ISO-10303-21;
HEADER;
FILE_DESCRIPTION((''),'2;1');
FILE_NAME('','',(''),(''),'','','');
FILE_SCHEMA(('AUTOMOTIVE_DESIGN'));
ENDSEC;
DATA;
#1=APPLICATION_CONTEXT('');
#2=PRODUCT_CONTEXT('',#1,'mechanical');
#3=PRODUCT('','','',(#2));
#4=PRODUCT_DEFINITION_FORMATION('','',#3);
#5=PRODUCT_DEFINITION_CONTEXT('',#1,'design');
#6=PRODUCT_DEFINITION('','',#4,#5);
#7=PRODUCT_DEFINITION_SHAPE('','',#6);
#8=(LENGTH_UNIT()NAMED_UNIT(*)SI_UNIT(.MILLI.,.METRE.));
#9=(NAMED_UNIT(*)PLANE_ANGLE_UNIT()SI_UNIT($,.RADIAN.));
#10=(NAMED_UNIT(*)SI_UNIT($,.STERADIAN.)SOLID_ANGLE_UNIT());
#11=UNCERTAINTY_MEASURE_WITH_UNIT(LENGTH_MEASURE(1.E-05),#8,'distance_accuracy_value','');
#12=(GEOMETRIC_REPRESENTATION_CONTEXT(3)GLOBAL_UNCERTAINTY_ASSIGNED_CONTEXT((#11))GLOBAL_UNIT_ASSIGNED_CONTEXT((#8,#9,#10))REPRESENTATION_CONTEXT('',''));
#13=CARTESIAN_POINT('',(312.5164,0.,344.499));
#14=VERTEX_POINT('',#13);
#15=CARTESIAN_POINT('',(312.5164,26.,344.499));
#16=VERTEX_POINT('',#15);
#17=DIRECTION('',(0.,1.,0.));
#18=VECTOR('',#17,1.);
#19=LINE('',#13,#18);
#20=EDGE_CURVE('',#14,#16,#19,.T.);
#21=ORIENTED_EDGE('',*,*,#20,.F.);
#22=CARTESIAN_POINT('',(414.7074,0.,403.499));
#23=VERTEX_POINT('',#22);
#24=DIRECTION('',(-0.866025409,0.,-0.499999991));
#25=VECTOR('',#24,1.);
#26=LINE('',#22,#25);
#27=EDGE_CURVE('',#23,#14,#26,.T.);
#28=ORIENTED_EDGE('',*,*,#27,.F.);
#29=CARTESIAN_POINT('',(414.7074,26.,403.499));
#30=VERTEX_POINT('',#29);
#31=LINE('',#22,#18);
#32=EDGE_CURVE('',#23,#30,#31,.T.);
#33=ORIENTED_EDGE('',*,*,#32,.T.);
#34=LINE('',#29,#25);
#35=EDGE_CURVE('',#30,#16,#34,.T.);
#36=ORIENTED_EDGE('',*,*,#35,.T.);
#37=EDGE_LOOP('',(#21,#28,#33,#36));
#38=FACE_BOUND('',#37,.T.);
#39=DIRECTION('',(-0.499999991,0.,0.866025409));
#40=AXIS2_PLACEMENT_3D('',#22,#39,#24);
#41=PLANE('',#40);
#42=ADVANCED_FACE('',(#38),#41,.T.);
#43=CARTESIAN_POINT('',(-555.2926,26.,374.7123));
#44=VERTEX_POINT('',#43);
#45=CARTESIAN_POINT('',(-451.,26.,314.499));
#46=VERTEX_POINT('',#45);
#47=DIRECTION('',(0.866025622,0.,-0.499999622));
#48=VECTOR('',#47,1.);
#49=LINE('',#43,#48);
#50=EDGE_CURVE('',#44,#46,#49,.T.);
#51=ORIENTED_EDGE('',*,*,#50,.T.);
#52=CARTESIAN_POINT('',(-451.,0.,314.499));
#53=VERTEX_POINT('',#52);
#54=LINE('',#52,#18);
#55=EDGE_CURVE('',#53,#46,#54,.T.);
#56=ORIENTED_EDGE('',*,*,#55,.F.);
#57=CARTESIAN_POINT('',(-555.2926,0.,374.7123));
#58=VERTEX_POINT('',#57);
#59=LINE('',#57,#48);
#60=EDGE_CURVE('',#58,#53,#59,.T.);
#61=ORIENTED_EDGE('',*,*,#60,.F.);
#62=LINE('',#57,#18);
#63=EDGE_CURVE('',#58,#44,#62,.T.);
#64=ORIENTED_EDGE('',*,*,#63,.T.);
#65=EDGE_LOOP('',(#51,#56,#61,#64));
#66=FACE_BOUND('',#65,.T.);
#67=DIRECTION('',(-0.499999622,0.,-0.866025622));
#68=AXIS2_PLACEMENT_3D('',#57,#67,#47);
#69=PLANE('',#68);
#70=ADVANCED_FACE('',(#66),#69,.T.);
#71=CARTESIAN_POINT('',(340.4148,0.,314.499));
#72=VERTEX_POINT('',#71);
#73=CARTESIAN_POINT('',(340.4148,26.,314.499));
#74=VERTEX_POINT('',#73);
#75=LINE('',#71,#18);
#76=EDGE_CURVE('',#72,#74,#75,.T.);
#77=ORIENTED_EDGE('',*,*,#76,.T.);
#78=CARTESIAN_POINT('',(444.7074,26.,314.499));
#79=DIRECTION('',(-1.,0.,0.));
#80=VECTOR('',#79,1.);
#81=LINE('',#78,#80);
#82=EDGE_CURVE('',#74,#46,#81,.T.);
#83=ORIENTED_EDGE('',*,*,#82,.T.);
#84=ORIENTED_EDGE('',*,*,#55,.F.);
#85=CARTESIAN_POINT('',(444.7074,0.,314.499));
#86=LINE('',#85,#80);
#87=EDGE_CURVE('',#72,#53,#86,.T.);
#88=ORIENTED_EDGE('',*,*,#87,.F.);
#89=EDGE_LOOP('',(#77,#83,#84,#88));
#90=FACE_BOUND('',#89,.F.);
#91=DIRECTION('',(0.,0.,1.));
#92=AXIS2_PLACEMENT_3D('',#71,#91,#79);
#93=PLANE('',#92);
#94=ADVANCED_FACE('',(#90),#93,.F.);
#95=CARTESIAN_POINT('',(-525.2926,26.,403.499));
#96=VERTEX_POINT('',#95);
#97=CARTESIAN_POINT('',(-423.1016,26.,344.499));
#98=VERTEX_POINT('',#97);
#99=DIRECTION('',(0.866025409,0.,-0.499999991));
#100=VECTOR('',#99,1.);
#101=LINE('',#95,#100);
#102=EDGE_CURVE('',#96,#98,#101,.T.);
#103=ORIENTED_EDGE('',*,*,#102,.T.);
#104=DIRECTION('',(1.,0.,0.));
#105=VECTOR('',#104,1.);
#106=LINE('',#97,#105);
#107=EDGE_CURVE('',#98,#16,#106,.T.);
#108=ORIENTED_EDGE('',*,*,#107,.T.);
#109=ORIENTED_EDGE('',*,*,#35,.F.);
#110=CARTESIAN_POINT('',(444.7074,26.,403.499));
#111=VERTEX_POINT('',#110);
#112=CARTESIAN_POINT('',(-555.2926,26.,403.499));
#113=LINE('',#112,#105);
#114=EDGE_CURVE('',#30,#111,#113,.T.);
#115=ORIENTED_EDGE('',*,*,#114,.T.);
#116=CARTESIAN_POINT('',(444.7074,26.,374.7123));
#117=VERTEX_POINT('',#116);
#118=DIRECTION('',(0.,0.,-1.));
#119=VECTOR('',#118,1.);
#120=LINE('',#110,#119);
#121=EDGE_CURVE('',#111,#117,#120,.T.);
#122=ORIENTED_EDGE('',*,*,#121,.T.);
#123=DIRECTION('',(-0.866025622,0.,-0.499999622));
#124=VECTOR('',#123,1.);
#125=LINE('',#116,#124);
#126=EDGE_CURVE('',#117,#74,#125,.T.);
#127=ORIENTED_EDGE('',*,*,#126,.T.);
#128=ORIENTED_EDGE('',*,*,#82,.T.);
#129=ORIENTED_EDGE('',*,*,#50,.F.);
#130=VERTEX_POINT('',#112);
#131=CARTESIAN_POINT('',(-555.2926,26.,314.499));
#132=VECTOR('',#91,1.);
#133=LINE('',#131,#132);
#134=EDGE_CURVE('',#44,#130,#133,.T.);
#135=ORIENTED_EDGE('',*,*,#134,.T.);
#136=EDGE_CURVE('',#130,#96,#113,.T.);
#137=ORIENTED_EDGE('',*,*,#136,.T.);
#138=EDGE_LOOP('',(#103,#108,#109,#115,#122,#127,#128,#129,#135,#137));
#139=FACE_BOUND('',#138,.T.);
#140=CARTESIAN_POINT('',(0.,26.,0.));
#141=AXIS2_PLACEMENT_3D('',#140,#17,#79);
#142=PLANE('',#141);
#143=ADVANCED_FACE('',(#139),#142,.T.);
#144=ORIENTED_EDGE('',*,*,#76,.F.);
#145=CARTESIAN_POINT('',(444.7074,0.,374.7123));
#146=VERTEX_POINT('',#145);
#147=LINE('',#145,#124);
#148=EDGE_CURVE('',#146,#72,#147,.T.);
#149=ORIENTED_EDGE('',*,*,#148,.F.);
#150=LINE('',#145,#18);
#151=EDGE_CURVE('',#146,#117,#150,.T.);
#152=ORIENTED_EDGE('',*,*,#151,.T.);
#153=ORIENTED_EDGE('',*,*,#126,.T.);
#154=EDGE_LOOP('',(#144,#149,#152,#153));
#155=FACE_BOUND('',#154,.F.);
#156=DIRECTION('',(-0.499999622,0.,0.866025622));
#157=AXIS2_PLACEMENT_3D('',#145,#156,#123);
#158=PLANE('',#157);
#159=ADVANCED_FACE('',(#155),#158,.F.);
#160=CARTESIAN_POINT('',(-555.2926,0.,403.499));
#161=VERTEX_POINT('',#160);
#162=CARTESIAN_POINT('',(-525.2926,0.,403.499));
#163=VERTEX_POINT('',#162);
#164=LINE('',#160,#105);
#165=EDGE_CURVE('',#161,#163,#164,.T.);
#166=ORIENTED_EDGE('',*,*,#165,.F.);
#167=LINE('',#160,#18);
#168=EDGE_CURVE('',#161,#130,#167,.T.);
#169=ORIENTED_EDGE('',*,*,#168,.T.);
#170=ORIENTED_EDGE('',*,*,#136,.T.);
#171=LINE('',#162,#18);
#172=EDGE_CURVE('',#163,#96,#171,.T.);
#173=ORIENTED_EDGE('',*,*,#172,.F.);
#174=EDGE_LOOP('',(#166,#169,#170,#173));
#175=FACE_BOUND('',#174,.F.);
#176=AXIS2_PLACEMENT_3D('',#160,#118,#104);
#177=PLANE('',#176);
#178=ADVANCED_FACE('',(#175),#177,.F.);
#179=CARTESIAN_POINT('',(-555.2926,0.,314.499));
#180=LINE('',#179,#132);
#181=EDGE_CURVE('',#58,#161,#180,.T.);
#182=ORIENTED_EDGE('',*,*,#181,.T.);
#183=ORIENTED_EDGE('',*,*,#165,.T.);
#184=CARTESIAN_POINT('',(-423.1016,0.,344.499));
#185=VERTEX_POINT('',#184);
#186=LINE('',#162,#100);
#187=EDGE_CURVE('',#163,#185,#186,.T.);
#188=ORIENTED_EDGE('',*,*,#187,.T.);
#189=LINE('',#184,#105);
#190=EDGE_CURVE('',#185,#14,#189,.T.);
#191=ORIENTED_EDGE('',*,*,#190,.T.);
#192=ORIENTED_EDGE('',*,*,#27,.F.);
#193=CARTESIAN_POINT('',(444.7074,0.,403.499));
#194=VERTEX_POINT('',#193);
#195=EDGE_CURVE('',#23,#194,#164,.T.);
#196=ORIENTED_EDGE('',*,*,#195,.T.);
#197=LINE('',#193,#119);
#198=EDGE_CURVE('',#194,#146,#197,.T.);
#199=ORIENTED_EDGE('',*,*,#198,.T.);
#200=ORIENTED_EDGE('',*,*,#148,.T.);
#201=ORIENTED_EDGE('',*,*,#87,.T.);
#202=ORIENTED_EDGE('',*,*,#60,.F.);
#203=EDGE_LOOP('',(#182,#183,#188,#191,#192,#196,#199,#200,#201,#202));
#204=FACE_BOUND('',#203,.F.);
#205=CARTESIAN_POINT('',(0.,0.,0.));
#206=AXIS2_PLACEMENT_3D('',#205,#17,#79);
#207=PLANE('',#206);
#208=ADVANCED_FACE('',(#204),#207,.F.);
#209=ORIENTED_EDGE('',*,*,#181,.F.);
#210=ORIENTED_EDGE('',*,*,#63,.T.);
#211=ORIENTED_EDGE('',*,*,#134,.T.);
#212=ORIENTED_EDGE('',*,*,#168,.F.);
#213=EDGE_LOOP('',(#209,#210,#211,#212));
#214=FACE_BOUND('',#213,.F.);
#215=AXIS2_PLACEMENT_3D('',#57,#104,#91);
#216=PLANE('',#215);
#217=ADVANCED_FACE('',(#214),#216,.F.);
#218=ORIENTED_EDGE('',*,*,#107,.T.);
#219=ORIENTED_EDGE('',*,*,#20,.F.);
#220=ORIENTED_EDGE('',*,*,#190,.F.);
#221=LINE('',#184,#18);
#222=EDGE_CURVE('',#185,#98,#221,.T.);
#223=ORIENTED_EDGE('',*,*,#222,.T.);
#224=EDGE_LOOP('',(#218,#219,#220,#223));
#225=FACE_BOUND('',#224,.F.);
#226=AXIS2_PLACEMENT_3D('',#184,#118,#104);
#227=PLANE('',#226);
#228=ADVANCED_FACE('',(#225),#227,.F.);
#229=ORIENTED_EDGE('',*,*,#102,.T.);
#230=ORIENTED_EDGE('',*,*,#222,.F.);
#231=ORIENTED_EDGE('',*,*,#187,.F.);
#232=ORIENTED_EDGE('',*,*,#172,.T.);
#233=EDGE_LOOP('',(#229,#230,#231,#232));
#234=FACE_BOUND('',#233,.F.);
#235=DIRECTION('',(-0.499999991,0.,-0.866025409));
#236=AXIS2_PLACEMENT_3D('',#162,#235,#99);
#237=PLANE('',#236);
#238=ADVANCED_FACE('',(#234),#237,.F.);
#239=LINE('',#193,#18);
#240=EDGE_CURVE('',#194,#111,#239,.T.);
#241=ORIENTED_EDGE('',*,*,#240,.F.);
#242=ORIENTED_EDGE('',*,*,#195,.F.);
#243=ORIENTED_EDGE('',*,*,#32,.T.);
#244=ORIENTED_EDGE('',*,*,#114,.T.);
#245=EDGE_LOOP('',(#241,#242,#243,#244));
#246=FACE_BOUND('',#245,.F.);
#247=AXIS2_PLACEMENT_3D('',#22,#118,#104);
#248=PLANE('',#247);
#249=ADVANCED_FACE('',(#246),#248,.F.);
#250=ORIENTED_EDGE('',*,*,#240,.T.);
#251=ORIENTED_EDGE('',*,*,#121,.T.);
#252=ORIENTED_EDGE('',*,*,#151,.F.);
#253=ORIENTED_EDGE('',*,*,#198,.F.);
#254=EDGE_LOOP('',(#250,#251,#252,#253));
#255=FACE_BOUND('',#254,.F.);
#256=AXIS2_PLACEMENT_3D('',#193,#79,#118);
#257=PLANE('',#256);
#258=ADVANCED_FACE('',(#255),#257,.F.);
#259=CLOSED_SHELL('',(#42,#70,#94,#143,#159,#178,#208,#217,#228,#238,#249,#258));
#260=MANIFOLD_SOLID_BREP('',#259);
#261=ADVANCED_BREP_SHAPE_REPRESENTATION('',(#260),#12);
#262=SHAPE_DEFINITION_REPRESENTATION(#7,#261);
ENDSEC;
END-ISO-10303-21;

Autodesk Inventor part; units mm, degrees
ref_plane "YZ Plane" through (0, 0, 0) normal (1, 0, 0) x (0, 1, 0)
ref_plane "XZ Plane" through (0, 0, 0) normal (0, 1, 0) x (-1, 0, 0)
ref_plane "XY Plane" through (0, 0, 0) normal (0, 0, 1) x (1, 0, 0)
sketch "Sketch1" plane through (0, 0, 0) normal (0, 1, 0) x (-1, 0, 0)
  line L0 (555.2926, 403.499) -> (-444.7074, 403.499)
  line L1 (-444.7074, 403.499) -> (-444.7074, 314.499)
  line L2 (-444.7074, 314.499) -> (555.2926, 314.499)
  line L3 (555.2926, 314.499) -> (555.2926, 403.499)
  line L4 (423.1016, 344.499) -> (-312.5164, 344.499)
  line L5 (-444.7074, 403.499) -> (-414.7074, 403.499)
  line L6 (-414.7074, 403.499) -> (-414.7074, 374.7123)
  line L7 (-414.7074, 374.7123) -> (-444.7074, 374.7123)
  line L8 (-444.7074, 374.7123) -> (-444.7074, 403.499)
  line L9 (555.2926, 403.499) -> (525.2926, 403.499)
  line L10 (525.2926, 403.499) -> (525.2926, 374.7123)
  line L11 (525.2926, 374.7123) -> (555.2926, 374.7123)
  line L12 (555.2926, 374.7123) -> (555.2926, 403.499)
  line L13 (525.2926, 403.499) -> (423.1016, 344.499)
  line L14 (-414.7074, 403.499) -> (-312.5164, 344.499)
  line L15 (-444.7074, 374.7123) -> (-340.4148, 314.499)
  line L16 (555.2926, 374.7123) -> (451, 314.499)
  point P0 (0, 0)
  point P1 (555.2926, 368.7138)
  point P2 (522.9975, 314.499)
  point P3 (-444.7074, 354.0015)
  point P4 (-397.9975, 314.499)
  point P5 (525.2926, 403.499)
  point P6 (525.2926, 403.499)
  dimension "d0" = 1000
  dimension "d5" = 30
  dimension "d11" = 89
  dimension "d12" = 30
  dimension "d13" = 30
  dimension "d17" = 60
  dimension "d18" = 60
extrude "Extrusion1" add sketch "Sketch1" along normal blind 26 contours L3 L11 L10 L0 | L10 L11 L16 L2 L15 L7 L6 L14 L4 L13 | L6 L7 L1 L0
sketch "Sketch2" plane through (0, 26, 0) normal (0, 1, 0) x (1, 0, 0)
  point P0 (0, 0)
properties part number "UcreplenieX" material "Aluminum 6061"
